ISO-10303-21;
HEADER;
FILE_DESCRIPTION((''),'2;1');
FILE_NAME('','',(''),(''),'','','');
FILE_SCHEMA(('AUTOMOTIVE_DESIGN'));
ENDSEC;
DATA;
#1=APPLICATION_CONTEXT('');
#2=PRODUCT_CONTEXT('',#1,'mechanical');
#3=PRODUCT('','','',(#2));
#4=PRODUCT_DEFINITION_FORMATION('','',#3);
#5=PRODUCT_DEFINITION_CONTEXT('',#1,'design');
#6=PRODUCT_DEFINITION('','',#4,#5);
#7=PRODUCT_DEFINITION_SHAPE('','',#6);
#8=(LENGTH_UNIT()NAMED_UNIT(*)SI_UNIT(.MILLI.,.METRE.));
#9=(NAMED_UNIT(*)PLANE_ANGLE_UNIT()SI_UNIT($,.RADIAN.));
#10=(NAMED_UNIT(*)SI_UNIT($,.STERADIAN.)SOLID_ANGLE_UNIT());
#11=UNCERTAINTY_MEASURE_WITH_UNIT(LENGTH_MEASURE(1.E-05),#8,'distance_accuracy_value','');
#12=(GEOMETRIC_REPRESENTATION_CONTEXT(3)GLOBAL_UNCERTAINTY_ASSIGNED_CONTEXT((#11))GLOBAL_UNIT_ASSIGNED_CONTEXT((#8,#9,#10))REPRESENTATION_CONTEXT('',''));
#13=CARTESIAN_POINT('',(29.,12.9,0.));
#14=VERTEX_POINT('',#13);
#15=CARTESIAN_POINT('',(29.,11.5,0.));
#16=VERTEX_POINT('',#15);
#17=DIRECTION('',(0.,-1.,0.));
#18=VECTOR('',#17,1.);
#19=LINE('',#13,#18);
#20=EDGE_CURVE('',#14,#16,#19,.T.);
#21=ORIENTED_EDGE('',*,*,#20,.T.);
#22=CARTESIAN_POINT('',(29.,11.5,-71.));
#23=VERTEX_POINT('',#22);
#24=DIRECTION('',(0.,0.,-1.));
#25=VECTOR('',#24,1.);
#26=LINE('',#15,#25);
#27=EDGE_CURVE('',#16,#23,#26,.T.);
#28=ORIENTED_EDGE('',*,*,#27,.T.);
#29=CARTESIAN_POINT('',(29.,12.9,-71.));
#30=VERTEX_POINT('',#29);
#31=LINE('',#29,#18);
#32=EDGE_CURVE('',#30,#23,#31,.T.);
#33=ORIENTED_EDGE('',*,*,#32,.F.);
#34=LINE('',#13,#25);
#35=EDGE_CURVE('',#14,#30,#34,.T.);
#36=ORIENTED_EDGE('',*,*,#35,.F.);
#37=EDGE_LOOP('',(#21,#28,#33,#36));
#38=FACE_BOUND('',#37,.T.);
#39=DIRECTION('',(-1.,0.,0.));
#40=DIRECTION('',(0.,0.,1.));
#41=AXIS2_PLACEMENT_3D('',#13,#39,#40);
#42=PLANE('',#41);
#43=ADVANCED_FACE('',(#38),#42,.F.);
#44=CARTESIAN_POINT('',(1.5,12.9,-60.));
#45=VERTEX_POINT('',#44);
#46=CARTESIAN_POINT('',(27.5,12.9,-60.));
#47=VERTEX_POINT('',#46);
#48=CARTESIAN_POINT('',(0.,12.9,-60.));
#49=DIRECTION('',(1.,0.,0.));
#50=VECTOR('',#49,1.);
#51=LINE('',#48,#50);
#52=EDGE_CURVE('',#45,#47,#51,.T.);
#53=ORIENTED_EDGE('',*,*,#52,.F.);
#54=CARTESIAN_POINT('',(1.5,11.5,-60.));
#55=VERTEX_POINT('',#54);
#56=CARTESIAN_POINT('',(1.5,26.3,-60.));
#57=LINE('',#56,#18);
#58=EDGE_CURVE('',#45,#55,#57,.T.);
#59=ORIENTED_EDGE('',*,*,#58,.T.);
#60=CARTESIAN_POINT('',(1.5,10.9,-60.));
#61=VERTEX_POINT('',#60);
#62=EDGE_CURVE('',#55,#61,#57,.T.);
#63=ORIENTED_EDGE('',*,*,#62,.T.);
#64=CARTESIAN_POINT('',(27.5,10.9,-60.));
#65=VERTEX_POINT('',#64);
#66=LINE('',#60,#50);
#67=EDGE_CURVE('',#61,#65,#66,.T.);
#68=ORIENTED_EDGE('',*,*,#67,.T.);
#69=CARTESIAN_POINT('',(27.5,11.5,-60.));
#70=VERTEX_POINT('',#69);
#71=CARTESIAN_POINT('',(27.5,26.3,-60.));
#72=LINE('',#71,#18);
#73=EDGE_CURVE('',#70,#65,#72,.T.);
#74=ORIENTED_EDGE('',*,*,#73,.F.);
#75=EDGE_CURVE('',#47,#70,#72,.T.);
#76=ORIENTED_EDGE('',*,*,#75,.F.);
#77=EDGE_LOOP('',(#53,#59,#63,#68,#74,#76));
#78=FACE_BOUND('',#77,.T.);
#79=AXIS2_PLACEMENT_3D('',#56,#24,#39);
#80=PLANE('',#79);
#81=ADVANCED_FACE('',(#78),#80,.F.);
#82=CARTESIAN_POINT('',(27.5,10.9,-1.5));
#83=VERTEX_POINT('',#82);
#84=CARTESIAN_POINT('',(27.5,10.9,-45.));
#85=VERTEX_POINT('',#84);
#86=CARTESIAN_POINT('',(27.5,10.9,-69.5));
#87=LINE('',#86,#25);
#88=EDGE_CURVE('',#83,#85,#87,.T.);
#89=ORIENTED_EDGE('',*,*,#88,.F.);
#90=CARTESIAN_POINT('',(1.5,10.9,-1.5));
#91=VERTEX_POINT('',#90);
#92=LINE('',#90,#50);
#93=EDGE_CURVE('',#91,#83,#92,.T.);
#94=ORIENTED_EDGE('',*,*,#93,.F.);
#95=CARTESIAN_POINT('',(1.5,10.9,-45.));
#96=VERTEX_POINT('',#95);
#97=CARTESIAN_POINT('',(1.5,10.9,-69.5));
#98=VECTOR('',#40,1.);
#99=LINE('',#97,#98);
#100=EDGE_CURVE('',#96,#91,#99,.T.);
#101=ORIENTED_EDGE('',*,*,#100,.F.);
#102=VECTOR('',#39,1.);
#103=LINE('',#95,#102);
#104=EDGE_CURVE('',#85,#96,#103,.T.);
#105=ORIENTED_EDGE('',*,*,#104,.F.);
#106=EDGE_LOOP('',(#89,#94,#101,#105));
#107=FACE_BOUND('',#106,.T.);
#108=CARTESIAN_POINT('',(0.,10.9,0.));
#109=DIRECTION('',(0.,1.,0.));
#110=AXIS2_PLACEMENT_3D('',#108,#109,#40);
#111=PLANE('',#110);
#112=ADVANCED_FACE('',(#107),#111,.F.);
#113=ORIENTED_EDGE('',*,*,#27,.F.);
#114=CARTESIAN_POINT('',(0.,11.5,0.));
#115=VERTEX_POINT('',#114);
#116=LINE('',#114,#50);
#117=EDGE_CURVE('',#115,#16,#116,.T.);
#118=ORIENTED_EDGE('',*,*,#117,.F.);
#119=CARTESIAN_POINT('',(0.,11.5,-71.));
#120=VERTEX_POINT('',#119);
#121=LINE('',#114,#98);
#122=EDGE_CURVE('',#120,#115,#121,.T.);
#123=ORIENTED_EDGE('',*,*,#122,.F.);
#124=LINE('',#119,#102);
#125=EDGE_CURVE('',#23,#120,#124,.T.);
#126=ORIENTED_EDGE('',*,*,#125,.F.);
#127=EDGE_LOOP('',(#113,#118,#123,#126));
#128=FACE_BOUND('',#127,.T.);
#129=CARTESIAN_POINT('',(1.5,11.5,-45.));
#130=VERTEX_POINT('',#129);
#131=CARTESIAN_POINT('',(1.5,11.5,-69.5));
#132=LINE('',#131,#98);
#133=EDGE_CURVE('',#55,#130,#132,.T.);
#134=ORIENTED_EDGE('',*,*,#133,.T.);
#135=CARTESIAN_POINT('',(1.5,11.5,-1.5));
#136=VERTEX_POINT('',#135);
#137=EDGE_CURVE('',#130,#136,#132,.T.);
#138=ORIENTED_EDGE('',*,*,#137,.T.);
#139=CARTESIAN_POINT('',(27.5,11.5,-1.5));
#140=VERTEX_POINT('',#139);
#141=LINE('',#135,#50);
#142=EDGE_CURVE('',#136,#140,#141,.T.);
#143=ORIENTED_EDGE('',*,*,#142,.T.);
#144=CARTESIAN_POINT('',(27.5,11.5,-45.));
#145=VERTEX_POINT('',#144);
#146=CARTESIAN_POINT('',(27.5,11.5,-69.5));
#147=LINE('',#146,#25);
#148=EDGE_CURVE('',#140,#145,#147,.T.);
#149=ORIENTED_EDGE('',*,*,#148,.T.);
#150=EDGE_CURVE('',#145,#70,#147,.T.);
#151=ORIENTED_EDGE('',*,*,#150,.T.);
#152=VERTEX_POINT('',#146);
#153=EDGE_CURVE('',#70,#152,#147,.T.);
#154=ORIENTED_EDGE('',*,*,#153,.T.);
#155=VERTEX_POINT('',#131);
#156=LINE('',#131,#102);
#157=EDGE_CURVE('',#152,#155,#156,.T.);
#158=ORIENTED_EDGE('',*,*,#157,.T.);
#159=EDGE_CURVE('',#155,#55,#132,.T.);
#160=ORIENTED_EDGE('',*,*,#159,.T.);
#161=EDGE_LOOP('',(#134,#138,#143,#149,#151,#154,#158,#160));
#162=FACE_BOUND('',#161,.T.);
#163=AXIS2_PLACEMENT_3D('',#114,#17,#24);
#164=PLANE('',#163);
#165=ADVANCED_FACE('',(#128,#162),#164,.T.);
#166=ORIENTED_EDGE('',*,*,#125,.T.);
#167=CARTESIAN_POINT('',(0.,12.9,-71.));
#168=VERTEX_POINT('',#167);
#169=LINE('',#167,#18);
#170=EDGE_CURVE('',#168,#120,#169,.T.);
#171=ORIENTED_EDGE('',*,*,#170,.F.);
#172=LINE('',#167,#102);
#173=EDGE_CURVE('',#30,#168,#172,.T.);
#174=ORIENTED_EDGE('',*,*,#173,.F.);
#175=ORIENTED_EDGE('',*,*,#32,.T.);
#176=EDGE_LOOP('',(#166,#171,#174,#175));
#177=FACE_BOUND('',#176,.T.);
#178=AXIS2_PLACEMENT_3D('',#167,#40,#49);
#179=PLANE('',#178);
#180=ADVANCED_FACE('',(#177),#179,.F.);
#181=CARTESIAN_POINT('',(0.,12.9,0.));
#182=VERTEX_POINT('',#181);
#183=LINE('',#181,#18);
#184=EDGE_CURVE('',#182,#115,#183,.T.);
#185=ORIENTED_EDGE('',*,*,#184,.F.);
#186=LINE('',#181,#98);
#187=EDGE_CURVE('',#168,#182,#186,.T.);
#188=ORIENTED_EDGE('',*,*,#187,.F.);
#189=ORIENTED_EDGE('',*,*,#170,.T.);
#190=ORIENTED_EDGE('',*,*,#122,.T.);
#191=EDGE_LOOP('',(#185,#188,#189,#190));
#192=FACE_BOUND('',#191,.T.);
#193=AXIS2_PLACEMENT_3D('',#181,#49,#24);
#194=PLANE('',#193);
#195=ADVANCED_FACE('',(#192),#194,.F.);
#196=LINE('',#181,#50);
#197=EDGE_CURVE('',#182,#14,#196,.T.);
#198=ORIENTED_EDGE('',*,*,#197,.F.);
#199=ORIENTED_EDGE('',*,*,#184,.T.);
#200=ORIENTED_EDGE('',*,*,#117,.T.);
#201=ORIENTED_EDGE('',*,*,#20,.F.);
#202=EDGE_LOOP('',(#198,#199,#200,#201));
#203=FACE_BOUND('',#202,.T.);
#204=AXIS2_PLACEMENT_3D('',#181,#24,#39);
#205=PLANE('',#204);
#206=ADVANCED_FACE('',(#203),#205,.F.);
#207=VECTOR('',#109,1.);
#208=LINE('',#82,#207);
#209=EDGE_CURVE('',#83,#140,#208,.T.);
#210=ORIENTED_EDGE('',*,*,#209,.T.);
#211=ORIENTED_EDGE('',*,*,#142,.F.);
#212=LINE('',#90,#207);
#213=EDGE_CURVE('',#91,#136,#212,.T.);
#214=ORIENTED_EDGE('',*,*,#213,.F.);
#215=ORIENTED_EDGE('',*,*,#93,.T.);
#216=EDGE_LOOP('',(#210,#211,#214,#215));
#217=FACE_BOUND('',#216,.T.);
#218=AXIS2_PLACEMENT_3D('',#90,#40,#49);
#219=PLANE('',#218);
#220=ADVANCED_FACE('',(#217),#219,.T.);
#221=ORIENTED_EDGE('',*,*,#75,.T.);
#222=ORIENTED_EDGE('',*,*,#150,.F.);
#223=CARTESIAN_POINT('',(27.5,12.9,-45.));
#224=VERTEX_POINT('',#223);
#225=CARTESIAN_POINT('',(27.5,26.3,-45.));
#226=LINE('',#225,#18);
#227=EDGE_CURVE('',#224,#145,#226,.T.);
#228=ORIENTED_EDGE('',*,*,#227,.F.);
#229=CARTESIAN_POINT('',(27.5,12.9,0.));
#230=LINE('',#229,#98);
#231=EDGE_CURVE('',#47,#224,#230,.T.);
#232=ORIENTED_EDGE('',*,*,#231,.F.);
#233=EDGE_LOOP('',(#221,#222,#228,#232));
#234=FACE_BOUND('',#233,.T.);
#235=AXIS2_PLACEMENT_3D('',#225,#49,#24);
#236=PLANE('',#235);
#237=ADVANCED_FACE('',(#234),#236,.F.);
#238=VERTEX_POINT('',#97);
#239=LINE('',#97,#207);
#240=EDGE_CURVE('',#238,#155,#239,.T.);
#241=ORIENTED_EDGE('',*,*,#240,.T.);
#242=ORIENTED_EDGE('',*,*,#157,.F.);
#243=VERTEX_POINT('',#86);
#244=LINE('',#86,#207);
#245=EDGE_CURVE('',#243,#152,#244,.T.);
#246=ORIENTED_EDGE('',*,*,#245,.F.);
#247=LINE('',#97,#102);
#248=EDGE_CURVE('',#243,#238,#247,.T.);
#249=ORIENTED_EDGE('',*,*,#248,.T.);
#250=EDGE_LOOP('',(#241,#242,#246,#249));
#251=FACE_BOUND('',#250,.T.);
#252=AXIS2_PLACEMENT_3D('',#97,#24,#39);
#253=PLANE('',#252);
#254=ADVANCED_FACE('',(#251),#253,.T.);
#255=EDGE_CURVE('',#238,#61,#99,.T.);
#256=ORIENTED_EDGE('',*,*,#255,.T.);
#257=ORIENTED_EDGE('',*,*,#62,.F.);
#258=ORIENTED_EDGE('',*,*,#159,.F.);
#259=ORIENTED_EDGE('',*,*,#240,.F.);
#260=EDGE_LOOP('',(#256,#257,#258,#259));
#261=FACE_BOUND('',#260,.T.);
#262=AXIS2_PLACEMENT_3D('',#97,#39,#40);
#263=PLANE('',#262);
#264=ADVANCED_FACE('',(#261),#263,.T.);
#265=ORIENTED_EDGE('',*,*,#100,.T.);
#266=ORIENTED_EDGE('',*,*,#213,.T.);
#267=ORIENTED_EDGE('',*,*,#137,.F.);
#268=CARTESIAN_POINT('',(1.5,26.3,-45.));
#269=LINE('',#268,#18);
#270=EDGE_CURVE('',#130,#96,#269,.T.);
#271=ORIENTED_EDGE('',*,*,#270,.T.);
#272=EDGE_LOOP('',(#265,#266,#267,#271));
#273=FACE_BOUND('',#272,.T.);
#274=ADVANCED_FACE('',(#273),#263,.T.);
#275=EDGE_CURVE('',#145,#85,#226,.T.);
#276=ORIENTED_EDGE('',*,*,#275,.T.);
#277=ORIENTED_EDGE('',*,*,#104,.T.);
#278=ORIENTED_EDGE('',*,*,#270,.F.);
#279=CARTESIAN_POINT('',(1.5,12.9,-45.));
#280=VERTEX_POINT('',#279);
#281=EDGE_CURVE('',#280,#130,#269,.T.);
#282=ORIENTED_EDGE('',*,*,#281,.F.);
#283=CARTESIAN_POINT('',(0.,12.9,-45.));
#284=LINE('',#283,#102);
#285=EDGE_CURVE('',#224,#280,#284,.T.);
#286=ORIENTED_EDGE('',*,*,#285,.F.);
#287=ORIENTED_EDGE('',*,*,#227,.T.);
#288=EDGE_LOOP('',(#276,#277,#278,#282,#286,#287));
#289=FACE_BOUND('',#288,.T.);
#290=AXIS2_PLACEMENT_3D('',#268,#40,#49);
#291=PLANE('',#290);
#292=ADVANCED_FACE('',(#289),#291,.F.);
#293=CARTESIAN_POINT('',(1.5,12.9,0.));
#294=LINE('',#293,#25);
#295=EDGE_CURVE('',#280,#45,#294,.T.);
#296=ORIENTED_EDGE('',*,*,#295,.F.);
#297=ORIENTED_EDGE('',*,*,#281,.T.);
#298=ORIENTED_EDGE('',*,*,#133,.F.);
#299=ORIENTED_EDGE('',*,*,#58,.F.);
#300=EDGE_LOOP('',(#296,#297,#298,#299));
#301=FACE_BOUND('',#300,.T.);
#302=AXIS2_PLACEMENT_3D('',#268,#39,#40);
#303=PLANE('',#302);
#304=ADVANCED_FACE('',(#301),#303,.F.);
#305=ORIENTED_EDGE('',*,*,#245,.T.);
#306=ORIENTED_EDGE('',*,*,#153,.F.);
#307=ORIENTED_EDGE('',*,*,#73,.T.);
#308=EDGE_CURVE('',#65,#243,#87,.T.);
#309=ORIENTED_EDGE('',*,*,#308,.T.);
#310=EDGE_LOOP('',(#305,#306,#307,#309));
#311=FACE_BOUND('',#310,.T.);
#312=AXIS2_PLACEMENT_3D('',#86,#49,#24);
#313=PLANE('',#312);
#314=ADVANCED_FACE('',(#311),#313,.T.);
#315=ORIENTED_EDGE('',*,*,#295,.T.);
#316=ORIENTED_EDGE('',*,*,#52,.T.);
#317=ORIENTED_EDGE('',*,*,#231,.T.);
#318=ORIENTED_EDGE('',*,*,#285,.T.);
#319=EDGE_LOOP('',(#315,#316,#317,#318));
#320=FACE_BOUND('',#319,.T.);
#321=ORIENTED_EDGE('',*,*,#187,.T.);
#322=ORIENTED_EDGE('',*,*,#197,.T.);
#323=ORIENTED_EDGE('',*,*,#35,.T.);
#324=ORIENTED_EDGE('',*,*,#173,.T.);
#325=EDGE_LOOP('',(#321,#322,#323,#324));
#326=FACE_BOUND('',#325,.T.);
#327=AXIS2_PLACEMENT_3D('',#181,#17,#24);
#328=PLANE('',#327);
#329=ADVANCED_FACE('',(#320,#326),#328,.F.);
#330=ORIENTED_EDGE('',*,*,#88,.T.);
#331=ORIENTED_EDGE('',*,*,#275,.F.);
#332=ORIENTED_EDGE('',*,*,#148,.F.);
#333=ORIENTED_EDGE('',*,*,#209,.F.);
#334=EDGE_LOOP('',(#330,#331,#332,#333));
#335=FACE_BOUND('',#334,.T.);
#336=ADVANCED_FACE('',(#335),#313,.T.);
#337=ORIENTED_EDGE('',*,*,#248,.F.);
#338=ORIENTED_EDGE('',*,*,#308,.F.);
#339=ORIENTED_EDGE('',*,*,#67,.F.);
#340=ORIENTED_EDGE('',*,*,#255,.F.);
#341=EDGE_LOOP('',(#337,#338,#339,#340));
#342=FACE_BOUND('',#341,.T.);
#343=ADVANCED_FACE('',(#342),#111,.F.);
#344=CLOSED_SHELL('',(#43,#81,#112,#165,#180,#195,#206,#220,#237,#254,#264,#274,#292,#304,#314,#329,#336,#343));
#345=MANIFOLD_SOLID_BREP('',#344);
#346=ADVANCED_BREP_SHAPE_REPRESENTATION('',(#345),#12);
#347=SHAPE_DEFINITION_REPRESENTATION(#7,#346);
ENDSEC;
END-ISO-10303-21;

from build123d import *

# Parameters (mm, degrees)
SKETCH1_W           = 26
SKETCH1_H           = 68
BOSS_EXTRUDE1_DEPTH = 0.6
SKETCH2_W           = 29
SKETCH2_H           = 71
BOSS_EXTRUDE2_DEPTH = 1.4
SKETCH3_W           = 26
SKETCH3_H           = 15
CUT_EXTRUDE1_DEPTH  = 15.4


with BuildPart() as part:
    # Sketch1 → Boss-Extrude1 (new body)
    with BuildSketch(Plane(origin=(0, 11.5, 0), x_dir=(1, 0, 0), z_dir=(0, 1, 0))):
        with Locations((14.5, 35.5)):
            Rectangle(SKETCH1_W, SKETCH1_H)
    extrude(amount=-BOSS_EXTRUDE1_DEPTH)

    # Sketch2 → Boss-Extrude2 (add)
    with BuildSketch(Plane(origin=(0, 11.5, 0), x_dir=(1, 0, 0), z_dir=(0, 1, 0))):
        with Locations((14.5, 35.5)):
            Rectangle(SKETCH2_W, SKETCH2_H)
    extrude(amount=BOSS_EXTRUDE2_DEPTH)

    # Sketch3 → Cut-Extrude1 (cut)
    with BuildSketch(Plane.XZ.offset(-10.9)):
        with Locations((14.5, -52.5)):
            Rectangle(SKETCH3_W, SKETCH3_H)
    extrude(amount=-CUT_EXTRUDE1_DEPTH, mode=Mode.SUBTRACT)


solid = part.part
